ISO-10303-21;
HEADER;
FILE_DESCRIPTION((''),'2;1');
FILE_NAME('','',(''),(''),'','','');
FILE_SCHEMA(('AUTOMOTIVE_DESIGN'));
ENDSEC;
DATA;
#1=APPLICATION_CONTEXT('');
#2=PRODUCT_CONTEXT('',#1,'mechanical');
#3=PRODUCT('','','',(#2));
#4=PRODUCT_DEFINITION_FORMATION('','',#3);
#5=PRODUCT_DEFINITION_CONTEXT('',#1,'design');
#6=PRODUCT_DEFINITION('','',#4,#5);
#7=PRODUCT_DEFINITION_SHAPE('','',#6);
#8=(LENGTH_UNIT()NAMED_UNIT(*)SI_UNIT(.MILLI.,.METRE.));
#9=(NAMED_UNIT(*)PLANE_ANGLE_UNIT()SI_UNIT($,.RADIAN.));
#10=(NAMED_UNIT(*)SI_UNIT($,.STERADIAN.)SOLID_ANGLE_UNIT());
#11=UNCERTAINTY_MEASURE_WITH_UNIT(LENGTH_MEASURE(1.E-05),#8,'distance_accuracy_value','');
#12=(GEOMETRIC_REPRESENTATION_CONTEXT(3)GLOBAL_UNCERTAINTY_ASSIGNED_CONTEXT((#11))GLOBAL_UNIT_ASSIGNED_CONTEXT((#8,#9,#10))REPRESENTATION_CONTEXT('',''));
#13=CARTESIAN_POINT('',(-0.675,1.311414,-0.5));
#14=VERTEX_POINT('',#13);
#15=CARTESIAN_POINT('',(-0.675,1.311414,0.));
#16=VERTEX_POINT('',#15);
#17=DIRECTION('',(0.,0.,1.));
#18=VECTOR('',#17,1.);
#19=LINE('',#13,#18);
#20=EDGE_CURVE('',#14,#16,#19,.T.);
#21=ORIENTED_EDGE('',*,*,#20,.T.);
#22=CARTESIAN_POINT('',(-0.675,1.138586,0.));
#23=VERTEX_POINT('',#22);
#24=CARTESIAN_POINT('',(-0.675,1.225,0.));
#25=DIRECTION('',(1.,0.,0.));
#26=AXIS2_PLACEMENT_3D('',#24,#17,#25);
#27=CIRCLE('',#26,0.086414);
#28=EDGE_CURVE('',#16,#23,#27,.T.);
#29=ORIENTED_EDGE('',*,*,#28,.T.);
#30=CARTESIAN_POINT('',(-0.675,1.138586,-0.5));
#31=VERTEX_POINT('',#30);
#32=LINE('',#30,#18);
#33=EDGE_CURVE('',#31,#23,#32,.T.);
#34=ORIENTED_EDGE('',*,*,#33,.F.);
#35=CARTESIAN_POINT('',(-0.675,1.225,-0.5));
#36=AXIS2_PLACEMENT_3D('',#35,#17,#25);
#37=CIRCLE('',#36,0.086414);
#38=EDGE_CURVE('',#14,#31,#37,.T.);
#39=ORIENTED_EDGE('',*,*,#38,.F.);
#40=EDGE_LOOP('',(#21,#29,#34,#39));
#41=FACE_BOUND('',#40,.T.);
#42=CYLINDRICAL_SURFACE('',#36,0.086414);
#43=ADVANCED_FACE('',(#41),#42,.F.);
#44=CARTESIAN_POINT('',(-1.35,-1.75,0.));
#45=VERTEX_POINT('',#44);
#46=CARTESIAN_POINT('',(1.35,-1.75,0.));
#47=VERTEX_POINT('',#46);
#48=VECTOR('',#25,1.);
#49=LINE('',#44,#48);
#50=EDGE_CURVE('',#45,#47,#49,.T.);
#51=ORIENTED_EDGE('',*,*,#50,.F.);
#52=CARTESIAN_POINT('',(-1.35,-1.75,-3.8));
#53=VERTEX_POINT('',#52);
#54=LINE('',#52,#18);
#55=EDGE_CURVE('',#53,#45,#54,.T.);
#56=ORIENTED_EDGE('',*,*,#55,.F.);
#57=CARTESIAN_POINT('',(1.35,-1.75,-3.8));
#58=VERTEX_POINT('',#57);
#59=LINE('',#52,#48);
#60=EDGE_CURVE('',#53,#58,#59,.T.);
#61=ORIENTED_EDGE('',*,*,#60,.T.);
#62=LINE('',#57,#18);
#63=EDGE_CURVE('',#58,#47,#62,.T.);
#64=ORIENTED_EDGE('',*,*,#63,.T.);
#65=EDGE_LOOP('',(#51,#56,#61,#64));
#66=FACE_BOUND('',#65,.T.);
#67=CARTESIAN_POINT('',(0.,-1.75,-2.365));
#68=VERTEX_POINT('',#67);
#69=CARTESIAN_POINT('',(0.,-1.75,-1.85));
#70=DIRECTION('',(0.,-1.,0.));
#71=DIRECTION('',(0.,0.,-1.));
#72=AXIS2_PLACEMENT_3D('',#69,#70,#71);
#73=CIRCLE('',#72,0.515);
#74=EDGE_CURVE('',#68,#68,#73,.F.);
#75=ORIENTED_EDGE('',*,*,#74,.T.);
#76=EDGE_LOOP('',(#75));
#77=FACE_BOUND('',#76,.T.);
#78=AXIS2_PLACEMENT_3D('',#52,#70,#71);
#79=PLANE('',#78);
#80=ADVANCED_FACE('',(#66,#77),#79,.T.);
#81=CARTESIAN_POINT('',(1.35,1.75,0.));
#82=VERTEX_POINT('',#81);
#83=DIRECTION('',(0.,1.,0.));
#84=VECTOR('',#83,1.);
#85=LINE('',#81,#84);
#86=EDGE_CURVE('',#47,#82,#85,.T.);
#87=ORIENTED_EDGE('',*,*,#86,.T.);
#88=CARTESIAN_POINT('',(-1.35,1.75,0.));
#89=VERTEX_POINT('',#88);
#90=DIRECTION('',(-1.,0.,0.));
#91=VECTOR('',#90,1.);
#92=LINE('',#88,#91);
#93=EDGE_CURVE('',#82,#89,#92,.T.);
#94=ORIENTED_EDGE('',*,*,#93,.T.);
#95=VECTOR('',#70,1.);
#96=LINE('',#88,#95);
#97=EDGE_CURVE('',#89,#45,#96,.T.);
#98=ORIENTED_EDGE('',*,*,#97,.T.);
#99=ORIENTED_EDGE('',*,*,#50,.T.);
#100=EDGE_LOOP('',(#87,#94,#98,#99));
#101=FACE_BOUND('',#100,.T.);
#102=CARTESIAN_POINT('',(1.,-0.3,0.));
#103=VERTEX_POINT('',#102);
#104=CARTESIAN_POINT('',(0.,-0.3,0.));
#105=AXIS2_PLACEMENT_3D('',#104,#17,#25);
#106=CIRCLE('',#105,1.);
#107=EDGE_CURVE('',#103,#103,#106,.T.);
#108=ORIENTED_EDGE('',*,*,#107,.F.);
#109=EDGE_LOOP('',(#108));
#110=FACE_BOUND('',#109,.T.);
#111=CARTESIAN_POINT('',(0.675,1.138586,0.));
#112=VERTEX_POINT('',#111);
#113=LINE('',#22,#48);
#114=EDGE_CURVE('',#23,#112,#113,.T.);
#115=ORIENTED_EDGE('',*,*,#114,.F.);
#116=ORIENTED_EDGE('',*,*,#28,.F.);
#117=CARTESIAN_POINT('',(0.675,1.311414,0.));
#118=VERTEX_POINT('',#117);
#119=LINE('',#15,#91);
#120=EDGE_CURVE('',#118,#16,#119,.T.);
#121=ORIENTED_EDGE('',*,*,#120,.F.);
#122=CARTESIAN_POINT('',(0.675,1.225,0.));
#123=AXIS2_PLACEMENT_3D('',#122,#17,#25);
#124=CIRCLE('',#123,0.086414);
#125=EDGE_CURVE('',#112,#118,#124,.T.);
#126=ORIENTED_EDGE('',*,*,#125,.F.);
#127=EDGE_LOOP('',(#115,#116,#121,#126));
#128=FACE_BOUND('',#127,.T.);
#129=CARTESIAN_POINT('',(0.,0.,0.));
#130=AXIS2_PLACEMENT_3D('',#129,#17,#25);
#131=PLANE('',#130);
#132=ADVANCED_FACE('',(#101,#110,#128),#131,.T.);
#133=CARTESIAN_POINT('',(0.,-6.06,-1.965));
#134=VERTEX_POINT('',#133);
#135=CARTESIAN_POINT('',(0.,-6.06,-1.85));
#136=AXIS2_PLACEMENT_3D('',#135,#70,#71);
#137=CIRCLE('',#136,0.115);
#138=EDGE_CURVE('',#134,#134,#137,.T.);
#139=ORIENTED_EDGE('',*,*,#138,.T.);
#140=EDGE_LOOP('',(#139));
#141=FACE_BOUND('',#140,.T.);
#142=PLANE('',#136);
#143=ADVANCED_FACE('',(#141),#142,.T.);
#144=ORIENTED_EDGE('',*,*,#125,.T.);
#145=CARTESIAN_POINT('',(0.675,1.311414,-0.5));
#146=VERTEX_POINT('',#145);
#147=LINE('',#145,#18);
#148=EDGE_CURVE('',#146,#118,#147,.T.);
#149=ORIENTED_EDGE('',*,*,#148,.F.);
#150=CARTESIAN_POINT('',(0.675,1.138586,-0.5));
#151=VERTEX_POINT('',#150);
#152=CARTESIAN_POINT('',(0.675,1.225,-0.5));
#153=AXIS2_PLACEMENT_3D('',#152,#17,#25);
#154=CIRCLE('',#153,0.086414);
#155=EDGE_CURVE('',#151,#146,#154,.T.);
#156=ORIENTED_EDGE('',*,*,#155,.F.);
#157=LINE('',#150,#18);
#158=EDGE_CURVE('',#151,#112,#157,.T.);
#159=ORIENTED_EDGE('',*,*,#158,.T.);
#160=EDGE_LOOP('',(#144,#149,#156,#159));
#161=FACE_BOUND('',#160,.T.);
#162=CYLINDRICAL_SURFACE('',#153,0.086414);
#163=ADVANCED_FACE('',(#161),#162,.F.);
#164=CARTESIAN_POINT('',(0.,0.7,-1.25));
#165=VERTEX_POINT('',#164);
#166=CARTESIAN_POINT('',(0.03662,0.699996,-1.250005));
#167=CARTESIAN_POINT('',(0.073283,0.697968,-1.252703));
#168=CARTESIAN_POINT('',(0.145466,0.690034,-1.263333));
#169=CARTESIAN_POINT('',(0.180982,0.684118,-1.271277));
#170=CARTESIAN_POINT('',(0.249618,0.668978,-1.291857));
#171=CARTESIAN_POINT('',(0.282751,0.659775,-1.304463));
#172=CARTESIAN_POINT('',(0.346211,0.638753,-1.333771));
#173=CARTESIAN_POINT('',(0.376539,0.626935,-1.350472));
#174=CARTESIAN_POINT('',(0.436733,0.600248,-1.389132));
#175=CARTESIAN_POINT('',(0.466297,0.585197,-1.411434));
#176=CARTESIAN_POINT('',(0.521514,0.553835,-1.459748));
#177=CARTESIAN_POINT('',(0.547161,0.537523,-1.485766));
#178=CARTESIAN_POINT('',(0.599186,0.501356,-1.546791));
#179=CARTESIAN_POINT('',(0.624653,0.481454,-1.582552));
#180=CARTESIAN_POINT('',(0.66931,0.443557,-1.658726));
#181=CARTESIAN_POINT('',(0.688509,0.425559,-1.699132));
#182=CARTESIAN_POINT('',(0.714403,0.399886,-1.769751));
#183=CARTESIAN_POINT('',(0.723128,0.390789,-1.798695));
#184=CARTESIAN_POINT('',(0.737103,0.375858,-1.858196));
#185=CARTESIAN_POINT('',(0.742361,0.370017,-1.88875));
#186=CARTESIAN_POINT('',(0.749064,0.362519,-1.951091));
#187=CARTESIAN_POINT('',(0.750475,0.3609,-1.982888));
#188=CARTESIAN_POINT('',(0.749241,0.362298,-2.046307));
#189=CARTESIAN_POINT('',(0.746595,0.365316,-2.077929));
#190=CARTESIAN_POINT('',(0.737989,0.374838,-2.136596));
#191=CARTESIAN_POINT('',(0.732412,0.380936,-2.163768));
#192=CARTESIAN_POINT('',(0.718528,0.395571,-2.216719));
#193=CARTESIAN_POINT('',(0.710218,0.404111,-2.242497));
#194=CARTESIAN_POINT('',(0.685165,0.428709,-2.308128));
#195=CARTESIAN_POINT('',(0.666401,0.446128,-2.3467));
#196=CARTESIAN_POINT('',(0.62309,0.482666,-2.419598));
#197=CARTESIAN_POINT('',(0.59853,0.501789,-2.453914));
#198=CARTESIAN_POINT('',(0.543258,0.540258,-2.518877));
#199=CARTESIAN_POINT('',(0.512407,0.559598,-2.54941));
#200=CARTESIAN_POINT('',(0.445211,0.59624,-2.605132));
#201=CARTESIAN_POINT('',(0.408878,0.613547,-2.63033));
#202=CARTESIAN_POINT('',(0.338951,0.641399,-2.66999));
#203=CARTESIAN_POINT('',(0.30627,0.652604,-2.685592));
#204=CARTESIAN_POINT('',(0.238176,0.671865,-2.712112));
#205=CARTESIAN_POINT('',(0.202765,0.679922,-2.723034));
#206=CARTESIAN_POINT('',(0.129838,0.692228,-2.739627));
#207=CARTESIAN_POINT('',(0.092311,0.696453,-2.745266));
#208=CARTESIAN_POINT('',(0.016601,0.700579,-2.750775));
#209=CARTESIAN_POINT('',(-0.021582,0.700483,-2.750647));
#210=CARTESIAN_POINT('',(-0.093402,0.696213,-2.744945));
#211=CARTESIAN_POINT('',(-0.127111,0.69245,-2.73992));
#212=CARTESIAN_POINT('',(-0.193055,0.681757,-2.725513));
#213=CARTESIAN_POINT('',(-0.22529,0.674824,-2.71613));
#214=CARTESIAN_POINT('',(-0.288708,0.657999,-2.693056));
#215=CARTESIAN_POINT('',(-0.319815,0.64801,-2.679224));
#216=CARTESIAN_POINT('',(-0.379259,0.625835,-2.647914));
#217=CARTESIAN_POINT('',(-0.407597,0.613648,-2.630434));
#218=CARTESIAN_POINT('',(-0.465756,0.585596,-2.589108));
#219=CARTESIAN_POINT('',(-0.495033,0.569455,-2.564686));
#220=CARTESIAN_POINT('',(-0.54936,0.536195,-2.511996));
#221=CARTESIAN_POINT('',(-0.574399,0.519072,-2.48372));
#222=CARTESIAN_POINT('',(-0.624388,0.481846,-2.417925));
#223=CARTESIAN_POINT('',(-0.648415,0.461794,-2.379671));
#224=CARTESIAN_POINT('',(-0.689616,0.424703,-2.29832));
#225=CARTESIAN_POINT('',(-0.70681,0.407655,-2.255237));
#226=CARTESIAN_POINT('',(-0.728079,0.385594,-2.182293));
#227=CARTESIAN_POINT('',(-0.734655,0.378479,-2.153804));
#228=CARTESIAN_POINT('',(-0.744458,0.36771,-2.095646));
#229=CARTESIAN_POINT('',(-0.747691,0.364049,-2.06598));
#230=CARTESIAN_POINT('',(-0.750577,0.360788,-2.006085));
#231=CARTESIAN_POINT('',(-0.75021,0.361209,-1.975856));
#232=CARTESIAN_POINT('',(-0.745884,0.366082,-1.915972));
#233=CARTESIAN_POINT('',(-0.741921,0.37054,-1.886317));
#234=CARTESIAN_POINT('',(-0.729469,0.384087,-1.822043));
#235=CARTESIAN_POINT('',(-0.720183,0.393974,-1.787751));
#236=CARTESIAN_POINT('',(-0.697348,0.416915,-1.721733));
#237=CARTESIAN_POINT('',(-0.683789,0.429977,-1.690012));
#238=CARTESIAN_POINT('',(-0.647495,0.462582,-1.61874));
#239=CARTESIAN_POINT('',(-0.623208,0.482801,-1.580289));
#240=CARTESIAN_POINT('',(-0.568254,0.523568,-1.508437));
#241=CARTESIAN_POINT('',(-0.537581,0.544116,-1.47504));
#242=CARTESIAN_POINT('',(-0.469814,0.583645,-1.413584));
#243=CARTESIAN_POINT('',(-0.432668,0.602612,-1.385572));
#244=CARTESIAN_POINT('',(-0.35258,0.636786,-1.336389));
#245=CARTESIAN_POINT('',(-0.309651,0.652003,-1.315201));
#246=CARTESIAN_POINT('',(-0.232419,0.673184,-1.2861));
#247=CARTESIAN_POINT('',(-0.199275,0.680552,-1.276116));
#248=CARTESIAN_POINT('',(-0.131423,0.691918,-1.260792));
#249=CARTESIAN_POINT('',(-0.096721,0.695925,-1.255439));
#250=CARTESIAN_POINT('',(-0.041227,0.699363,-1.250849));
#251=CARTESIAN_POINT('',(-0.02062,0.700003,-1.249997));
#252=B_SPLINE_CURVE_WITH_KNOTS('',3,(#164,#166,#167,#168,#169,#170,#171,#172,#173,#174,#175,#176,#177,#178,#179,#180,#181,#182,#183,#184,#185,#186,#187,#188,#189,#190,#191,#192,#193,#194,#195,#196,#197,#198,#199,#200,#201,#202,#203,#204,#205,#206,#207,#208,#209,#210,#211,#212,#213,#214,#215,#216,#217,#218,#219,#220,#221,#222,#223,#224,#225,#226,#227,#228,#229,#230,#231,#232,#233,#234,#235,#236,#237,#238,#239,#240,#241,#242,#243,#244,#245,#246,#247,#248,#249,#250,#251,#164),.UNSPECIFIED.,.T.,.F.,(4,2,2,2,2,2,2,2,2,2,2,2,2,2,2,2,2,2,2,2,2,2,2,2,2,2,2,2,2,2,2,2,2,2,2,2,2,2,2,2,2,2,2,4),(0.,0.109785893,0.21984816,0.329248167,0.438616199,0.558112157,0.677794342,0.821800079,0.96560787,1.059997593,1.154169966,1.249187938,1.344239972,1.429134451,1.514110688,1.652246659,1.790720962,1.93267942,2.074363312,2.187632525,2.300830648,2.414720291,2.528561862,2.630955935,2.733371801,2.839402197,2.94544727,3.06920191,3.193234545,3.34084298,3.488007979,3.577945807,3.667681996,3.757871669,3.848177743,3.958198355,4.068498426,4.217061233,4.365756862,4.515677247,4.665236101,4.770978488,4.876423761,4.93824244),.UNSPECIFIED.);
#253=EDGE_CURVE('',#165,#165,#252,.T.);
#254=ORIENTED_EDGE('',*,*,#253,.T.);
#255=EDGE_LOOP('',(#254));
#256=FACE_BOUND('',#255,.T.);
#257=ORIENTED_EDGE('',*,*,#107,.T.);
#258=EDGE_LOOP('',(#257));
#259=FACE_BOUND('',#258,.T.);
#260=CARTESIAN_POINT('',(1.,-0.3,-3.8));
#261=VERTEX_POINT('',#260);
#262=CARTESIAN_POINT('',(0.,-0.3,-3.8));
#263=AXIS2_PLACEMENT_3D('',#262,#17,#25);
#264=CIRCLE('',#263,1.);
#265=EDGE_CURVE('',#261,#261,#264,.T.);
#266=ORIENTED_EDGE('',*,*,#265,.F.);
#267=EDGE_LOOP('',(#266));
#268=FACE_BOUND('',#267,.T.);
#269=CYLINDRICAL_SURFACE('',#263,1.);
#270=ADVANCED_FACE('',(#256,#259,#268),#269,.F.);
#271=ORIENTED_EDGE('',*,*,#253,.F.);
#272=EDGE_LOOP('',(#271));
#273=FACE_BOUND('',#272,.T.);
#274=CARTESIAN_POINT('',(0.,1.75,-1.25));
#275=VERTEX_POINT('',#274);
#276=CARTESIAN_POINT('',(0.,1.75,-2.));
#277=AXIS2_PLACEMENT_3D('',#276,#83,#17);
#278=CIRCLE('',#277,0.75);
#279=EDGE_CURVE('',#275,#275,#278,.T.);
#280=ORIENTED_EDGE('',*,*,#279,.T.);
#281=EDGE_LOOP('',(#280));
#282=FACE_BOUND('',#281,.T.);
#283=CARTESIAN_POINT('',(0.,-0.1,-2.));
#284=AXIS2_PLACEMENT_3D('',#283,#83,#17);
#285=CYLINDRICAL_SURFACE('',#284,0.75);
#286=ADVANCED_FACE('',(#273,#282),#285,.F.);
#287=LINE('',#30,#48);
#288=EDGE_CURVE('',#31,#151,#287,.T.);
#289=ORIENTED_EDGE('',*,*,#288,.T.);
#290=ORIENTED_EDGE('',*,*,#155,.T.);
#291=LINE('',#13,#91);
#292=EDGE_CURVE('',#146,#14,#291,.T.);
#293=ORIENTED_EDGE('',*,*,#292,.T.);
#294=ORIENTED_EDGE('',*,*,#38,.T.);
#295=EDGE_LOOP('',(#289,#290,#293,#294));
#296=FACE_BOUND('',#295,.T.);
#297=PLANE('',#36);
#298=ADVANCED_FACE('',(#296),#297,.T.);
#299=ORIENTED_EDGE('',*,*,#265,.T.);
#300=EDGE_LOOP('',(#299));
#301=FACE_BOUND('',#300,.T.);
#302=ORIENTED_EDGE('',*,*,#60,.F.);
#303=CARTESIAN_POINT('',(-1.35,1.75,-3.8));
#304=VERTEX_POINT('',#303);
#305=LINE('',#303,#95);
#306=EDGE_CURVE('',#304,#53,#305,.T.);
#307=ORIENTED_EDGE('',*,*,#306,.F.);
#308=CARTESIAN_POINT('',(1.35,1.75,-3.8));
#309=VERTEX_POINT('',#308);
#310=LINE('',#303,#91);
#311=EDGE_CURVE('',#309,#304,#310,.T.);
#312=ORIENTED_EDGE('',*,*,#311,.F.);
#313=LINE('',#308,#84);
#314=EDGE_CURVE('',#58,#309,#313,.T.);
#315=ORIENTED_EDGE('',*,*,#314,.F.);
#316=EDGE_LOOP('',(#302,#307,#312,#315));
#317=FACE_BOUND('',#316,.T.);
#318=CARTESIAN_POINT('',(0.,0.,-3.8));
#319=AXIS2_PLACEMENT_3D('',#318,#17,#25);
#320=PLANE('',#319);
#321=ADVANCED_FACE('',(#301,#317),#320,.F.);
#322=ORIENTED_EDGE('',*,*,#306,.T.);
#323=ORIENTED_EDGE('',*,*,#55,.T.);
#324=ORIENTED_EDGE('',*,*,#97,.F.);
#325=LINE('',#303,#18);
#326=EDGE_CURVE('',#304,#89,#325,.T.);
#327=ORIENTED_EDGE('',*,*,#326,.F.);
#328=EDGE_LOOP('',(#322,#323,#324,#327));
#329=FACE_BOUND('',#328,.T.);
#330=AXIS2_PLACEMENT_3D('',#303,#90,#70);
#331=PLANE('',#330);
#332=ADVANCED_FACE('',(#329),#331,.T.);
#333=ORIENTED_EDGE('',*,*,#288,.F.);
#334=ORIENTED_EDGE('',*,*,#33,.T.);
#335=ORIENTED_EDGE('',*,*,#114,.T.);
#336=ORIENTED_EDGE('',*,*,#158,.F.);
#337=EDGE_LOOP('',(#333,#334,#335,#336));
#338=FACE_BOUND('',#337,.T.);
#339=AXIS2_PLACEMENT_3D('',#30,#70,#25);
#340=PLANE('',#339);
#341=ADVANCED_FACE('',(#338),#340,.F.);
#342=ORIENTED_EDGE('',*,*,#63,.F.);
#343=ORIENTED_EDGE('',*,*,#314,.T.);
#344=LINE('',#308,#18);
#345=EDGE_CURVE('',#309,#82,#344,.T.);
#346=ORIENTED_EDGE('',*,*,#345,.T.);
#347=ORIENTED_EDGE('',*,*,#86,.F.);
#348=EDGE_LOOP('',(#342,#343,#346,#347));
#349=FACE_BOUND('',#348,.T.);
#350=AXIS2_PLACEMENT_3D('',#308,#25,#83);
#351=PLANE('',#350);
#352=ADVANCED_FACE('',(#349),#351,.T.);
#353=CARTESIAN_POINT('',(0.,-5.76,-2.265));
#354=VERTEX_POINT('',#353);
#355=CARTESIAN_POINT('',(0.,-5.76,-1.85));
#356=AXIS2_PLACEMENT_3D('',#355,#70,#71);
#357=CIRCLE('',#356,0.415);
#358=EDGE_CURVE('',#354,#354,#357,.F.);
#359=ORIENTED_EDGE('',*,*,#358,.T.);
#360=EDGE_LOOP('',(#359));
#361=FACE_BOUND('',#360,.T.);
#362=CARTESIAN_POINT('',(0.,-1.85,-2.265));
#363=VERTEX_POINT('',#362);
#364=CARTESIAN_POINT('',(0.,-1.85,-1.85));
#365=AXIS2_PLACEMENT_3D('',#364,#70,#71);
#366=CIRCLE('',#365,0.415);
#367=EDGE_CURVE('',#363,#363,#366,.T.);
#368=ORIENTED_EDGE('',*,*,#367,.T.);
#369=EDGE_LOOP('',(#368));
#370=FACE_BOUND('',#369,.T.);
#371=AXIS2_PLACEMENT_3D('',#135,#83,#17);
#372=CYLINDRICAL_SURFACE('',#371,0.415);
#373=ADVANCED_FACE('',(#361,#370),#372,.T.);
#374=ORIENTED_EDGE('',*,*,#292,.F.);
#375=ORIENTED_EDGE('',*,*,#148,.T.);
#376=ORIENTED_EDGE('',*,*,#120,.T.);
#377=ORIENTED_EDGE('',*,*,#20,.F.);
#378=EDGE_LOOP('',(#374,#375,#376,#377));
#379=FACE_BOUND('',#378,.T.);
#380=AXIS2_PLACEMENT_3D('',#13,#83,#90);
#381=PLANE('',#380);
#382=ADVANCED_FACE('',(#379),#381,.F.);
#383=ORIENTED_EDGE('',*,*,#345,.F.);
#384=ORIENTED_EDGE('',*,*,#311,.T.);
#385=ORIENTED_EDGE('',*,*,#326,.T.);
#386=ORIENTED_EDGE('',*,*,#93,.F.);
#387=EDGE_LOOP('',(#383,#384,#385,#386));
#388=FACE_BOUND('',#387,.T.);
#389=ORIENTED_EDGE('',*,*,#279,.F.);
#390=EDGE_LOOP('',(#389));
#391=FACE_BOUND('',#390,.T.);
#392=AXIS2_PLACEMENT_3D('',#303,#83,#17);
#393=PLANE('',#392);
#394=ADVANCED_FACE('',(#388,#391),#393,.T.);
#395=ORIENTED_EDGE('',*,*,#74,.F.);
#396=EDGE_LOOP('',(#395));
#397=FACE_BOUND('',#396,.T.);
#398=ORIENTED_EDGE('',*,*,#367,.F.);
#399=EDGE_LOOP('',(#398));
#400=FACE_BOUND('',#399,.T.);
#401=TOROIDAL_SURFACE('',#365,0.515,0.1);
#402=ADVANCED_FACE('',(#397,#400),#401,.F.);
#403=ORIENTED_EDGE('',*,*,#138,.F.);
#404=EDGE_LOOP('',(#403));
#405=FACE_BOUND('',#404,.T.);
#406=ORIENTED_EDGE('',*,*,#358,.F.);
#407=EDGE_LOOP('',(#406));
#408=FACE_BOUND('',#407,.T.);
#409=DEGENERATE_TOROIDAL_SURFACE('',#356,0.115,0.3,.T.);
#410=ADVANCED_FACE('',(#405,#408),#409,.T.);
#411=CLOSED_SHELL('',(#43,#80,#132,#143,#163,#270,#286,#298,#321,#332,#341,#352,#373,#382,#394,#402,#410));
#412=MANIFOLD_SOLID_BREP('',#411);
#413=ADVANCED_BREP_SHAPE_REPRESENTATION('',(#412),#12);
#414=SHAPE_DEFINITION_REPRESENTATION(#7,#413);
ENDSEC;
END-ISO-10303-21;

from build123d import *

# Parameters (mm, degrees)
SKETCH_1_W           = 2.7
SKETCH_1_H           = 3.5
EXTRUDE_1_DEPTH      = 3.8
SKETCH_2_OUTSIDE_W   = 5.866
SKETCH_2_OUTSIDE_H   = 6.666
SKETCH_2_OUTSIDE_W_2 = 2.7
SKETCH_2_OUTSIDE_H_2 = 3.5
SKETCH_2_OUTSIDE_R   = 1
CUT_EXTRUDE_1_DEPTH  = 5.396020928
SKETCH_4_OUTSIDE_W   = 5.866
SKETCH_4_OUTSIDE_H   = 6.966
SKETCH_4_OUTSIDE_W_2 = 2.7
SKETCH_4_OUTSIDE_H_2 = 3.8
SKETCH_4_OUTSIDE_R   = 0.75
CUT_EXTRUDE_2_DEPTH  = 1.85
CUT_EXTRUDE_3_DEPTH  = 0.5
SKETCH_6_R           = 0.415
EXTRUDE_2_DEPTH      = 4.31
FILLET_1_R           = 0.3
FILLET_2_R           = 0.1


with BuildPart() as part:
    # Эскиз1 → Бобышка-Вытянуть1 (new body)
    with BuildSketch(Plane.XY):
        Rectangle(SKETCH_1_W, SKETCH_1_H)
    extrude(amount=-EXTRUDE_1_DEPTH)

    # Эскиз2 outside → Вырез-Вытянуть1 (cut, through all)
    # profile 1 of 2: a face of its own
    with BuildSketch(Plane.XY):
        Rectangle(SKETCH_2_OUTSIDE_W, SKETCH_2_OUTSIDE_H)
        Rectangle(SKETCH_2_OUTSIDE_W_2, SKETCH_2_OUTSIDE_H_2, mode=Mode.SUBTRACT)
    # profile 2 of 2: a face of its own
    with BuildSketch(Plane.XY):
        with Locations((0, -0.3)):
            Circle(SKETCH_2_OUTSIDE_R)
    extrude(amount=-CUT_EXTRUDE_1_DEPTH, mode=Mode.SUBTRACT)

    # Эскиз4 outside → Вырез-Вытянуть2 (cut)
    # profile 1 of 2: a face of its own
    with BuildSketch(Plane(origin=(0, 1.75, 0), x_dir=(1, 0, 0), z_dir=(0, 1, 0))):
        with Locations((0, 1.9)):
            Rectangle(SKETCH_4_OUTSIDE_W, SKETCH_4_OUTSIDE_H)
        with Locations((0, 1.9)):
            Rectangle(SKETCH_4_OUTSIDE_W_2, SKETCH_4_OUTSIDE_H_2, mode=Mode.SUBTRACT)
    # profile 2 of 2: a face of its own
    with BuildSketch(Plane(origin=(0, 1.75, 0), x_dir=(1, 0, 0), z_dir=(0, 1, 0))):
        with Locations(Location((0, 2, 0), (0, 0, 270))):
            Circle(SKETCH_4_OUTSIDE_R)
    extrude(amount=-CUT_EXTRUDE_2_DEPTH, mode=Mode.SUBTRACT)

    # Эскиз5 → Вырез-Вытянуть3 (cut)
    with BuildSketch(Plane.XY):
        with BuildLine():
            Line((-0.675, 1.311413609), (0.675, 1.311413609))
            ThreePointArc((0.675, 1.311413609), (0.761413609, 1.225), (0.675, 1.138586391))
            Line((0.675, 1.138586391), (-0.675, 1.138586391))
            ThreePointArc((-0.675, 1.138586391), (-0.761413609, 1.225), (-0.675, 1.311413609))
        make_face()
    extrude(amount=-CUT_EXTRUDE_3_DEPTH, mode=Mode.SUBTRACT)

    # Эскиз6 → Бобышка-Вытянуть2 (add)
    with BuildSketch(Plane.XZ.offset(1.75)):
        with Locations(Location((0, -1.85, 0), (0, 0, 270))):
            Circle(SKETCH_6_R)
    extrude(amount=EXTRUDE_2_DEPTH)

    # Скругление1
    fillet_1_edges = [part.edges().sort_by_distance(p)[0] for p in [
        (0, -6.06, -1.435),
    ]]
    fillet(fillet_1_edges, radius=FILLET_1_R)

    # Скругление2
    fillet_2_edges = [part.edges().sort_by_distance(p)[0] for p in [
        (0, -1.75, -1.435),
    ]]
    fillet(fillet_2_edges, radius=FILLET_2_R)


solid = part.part
